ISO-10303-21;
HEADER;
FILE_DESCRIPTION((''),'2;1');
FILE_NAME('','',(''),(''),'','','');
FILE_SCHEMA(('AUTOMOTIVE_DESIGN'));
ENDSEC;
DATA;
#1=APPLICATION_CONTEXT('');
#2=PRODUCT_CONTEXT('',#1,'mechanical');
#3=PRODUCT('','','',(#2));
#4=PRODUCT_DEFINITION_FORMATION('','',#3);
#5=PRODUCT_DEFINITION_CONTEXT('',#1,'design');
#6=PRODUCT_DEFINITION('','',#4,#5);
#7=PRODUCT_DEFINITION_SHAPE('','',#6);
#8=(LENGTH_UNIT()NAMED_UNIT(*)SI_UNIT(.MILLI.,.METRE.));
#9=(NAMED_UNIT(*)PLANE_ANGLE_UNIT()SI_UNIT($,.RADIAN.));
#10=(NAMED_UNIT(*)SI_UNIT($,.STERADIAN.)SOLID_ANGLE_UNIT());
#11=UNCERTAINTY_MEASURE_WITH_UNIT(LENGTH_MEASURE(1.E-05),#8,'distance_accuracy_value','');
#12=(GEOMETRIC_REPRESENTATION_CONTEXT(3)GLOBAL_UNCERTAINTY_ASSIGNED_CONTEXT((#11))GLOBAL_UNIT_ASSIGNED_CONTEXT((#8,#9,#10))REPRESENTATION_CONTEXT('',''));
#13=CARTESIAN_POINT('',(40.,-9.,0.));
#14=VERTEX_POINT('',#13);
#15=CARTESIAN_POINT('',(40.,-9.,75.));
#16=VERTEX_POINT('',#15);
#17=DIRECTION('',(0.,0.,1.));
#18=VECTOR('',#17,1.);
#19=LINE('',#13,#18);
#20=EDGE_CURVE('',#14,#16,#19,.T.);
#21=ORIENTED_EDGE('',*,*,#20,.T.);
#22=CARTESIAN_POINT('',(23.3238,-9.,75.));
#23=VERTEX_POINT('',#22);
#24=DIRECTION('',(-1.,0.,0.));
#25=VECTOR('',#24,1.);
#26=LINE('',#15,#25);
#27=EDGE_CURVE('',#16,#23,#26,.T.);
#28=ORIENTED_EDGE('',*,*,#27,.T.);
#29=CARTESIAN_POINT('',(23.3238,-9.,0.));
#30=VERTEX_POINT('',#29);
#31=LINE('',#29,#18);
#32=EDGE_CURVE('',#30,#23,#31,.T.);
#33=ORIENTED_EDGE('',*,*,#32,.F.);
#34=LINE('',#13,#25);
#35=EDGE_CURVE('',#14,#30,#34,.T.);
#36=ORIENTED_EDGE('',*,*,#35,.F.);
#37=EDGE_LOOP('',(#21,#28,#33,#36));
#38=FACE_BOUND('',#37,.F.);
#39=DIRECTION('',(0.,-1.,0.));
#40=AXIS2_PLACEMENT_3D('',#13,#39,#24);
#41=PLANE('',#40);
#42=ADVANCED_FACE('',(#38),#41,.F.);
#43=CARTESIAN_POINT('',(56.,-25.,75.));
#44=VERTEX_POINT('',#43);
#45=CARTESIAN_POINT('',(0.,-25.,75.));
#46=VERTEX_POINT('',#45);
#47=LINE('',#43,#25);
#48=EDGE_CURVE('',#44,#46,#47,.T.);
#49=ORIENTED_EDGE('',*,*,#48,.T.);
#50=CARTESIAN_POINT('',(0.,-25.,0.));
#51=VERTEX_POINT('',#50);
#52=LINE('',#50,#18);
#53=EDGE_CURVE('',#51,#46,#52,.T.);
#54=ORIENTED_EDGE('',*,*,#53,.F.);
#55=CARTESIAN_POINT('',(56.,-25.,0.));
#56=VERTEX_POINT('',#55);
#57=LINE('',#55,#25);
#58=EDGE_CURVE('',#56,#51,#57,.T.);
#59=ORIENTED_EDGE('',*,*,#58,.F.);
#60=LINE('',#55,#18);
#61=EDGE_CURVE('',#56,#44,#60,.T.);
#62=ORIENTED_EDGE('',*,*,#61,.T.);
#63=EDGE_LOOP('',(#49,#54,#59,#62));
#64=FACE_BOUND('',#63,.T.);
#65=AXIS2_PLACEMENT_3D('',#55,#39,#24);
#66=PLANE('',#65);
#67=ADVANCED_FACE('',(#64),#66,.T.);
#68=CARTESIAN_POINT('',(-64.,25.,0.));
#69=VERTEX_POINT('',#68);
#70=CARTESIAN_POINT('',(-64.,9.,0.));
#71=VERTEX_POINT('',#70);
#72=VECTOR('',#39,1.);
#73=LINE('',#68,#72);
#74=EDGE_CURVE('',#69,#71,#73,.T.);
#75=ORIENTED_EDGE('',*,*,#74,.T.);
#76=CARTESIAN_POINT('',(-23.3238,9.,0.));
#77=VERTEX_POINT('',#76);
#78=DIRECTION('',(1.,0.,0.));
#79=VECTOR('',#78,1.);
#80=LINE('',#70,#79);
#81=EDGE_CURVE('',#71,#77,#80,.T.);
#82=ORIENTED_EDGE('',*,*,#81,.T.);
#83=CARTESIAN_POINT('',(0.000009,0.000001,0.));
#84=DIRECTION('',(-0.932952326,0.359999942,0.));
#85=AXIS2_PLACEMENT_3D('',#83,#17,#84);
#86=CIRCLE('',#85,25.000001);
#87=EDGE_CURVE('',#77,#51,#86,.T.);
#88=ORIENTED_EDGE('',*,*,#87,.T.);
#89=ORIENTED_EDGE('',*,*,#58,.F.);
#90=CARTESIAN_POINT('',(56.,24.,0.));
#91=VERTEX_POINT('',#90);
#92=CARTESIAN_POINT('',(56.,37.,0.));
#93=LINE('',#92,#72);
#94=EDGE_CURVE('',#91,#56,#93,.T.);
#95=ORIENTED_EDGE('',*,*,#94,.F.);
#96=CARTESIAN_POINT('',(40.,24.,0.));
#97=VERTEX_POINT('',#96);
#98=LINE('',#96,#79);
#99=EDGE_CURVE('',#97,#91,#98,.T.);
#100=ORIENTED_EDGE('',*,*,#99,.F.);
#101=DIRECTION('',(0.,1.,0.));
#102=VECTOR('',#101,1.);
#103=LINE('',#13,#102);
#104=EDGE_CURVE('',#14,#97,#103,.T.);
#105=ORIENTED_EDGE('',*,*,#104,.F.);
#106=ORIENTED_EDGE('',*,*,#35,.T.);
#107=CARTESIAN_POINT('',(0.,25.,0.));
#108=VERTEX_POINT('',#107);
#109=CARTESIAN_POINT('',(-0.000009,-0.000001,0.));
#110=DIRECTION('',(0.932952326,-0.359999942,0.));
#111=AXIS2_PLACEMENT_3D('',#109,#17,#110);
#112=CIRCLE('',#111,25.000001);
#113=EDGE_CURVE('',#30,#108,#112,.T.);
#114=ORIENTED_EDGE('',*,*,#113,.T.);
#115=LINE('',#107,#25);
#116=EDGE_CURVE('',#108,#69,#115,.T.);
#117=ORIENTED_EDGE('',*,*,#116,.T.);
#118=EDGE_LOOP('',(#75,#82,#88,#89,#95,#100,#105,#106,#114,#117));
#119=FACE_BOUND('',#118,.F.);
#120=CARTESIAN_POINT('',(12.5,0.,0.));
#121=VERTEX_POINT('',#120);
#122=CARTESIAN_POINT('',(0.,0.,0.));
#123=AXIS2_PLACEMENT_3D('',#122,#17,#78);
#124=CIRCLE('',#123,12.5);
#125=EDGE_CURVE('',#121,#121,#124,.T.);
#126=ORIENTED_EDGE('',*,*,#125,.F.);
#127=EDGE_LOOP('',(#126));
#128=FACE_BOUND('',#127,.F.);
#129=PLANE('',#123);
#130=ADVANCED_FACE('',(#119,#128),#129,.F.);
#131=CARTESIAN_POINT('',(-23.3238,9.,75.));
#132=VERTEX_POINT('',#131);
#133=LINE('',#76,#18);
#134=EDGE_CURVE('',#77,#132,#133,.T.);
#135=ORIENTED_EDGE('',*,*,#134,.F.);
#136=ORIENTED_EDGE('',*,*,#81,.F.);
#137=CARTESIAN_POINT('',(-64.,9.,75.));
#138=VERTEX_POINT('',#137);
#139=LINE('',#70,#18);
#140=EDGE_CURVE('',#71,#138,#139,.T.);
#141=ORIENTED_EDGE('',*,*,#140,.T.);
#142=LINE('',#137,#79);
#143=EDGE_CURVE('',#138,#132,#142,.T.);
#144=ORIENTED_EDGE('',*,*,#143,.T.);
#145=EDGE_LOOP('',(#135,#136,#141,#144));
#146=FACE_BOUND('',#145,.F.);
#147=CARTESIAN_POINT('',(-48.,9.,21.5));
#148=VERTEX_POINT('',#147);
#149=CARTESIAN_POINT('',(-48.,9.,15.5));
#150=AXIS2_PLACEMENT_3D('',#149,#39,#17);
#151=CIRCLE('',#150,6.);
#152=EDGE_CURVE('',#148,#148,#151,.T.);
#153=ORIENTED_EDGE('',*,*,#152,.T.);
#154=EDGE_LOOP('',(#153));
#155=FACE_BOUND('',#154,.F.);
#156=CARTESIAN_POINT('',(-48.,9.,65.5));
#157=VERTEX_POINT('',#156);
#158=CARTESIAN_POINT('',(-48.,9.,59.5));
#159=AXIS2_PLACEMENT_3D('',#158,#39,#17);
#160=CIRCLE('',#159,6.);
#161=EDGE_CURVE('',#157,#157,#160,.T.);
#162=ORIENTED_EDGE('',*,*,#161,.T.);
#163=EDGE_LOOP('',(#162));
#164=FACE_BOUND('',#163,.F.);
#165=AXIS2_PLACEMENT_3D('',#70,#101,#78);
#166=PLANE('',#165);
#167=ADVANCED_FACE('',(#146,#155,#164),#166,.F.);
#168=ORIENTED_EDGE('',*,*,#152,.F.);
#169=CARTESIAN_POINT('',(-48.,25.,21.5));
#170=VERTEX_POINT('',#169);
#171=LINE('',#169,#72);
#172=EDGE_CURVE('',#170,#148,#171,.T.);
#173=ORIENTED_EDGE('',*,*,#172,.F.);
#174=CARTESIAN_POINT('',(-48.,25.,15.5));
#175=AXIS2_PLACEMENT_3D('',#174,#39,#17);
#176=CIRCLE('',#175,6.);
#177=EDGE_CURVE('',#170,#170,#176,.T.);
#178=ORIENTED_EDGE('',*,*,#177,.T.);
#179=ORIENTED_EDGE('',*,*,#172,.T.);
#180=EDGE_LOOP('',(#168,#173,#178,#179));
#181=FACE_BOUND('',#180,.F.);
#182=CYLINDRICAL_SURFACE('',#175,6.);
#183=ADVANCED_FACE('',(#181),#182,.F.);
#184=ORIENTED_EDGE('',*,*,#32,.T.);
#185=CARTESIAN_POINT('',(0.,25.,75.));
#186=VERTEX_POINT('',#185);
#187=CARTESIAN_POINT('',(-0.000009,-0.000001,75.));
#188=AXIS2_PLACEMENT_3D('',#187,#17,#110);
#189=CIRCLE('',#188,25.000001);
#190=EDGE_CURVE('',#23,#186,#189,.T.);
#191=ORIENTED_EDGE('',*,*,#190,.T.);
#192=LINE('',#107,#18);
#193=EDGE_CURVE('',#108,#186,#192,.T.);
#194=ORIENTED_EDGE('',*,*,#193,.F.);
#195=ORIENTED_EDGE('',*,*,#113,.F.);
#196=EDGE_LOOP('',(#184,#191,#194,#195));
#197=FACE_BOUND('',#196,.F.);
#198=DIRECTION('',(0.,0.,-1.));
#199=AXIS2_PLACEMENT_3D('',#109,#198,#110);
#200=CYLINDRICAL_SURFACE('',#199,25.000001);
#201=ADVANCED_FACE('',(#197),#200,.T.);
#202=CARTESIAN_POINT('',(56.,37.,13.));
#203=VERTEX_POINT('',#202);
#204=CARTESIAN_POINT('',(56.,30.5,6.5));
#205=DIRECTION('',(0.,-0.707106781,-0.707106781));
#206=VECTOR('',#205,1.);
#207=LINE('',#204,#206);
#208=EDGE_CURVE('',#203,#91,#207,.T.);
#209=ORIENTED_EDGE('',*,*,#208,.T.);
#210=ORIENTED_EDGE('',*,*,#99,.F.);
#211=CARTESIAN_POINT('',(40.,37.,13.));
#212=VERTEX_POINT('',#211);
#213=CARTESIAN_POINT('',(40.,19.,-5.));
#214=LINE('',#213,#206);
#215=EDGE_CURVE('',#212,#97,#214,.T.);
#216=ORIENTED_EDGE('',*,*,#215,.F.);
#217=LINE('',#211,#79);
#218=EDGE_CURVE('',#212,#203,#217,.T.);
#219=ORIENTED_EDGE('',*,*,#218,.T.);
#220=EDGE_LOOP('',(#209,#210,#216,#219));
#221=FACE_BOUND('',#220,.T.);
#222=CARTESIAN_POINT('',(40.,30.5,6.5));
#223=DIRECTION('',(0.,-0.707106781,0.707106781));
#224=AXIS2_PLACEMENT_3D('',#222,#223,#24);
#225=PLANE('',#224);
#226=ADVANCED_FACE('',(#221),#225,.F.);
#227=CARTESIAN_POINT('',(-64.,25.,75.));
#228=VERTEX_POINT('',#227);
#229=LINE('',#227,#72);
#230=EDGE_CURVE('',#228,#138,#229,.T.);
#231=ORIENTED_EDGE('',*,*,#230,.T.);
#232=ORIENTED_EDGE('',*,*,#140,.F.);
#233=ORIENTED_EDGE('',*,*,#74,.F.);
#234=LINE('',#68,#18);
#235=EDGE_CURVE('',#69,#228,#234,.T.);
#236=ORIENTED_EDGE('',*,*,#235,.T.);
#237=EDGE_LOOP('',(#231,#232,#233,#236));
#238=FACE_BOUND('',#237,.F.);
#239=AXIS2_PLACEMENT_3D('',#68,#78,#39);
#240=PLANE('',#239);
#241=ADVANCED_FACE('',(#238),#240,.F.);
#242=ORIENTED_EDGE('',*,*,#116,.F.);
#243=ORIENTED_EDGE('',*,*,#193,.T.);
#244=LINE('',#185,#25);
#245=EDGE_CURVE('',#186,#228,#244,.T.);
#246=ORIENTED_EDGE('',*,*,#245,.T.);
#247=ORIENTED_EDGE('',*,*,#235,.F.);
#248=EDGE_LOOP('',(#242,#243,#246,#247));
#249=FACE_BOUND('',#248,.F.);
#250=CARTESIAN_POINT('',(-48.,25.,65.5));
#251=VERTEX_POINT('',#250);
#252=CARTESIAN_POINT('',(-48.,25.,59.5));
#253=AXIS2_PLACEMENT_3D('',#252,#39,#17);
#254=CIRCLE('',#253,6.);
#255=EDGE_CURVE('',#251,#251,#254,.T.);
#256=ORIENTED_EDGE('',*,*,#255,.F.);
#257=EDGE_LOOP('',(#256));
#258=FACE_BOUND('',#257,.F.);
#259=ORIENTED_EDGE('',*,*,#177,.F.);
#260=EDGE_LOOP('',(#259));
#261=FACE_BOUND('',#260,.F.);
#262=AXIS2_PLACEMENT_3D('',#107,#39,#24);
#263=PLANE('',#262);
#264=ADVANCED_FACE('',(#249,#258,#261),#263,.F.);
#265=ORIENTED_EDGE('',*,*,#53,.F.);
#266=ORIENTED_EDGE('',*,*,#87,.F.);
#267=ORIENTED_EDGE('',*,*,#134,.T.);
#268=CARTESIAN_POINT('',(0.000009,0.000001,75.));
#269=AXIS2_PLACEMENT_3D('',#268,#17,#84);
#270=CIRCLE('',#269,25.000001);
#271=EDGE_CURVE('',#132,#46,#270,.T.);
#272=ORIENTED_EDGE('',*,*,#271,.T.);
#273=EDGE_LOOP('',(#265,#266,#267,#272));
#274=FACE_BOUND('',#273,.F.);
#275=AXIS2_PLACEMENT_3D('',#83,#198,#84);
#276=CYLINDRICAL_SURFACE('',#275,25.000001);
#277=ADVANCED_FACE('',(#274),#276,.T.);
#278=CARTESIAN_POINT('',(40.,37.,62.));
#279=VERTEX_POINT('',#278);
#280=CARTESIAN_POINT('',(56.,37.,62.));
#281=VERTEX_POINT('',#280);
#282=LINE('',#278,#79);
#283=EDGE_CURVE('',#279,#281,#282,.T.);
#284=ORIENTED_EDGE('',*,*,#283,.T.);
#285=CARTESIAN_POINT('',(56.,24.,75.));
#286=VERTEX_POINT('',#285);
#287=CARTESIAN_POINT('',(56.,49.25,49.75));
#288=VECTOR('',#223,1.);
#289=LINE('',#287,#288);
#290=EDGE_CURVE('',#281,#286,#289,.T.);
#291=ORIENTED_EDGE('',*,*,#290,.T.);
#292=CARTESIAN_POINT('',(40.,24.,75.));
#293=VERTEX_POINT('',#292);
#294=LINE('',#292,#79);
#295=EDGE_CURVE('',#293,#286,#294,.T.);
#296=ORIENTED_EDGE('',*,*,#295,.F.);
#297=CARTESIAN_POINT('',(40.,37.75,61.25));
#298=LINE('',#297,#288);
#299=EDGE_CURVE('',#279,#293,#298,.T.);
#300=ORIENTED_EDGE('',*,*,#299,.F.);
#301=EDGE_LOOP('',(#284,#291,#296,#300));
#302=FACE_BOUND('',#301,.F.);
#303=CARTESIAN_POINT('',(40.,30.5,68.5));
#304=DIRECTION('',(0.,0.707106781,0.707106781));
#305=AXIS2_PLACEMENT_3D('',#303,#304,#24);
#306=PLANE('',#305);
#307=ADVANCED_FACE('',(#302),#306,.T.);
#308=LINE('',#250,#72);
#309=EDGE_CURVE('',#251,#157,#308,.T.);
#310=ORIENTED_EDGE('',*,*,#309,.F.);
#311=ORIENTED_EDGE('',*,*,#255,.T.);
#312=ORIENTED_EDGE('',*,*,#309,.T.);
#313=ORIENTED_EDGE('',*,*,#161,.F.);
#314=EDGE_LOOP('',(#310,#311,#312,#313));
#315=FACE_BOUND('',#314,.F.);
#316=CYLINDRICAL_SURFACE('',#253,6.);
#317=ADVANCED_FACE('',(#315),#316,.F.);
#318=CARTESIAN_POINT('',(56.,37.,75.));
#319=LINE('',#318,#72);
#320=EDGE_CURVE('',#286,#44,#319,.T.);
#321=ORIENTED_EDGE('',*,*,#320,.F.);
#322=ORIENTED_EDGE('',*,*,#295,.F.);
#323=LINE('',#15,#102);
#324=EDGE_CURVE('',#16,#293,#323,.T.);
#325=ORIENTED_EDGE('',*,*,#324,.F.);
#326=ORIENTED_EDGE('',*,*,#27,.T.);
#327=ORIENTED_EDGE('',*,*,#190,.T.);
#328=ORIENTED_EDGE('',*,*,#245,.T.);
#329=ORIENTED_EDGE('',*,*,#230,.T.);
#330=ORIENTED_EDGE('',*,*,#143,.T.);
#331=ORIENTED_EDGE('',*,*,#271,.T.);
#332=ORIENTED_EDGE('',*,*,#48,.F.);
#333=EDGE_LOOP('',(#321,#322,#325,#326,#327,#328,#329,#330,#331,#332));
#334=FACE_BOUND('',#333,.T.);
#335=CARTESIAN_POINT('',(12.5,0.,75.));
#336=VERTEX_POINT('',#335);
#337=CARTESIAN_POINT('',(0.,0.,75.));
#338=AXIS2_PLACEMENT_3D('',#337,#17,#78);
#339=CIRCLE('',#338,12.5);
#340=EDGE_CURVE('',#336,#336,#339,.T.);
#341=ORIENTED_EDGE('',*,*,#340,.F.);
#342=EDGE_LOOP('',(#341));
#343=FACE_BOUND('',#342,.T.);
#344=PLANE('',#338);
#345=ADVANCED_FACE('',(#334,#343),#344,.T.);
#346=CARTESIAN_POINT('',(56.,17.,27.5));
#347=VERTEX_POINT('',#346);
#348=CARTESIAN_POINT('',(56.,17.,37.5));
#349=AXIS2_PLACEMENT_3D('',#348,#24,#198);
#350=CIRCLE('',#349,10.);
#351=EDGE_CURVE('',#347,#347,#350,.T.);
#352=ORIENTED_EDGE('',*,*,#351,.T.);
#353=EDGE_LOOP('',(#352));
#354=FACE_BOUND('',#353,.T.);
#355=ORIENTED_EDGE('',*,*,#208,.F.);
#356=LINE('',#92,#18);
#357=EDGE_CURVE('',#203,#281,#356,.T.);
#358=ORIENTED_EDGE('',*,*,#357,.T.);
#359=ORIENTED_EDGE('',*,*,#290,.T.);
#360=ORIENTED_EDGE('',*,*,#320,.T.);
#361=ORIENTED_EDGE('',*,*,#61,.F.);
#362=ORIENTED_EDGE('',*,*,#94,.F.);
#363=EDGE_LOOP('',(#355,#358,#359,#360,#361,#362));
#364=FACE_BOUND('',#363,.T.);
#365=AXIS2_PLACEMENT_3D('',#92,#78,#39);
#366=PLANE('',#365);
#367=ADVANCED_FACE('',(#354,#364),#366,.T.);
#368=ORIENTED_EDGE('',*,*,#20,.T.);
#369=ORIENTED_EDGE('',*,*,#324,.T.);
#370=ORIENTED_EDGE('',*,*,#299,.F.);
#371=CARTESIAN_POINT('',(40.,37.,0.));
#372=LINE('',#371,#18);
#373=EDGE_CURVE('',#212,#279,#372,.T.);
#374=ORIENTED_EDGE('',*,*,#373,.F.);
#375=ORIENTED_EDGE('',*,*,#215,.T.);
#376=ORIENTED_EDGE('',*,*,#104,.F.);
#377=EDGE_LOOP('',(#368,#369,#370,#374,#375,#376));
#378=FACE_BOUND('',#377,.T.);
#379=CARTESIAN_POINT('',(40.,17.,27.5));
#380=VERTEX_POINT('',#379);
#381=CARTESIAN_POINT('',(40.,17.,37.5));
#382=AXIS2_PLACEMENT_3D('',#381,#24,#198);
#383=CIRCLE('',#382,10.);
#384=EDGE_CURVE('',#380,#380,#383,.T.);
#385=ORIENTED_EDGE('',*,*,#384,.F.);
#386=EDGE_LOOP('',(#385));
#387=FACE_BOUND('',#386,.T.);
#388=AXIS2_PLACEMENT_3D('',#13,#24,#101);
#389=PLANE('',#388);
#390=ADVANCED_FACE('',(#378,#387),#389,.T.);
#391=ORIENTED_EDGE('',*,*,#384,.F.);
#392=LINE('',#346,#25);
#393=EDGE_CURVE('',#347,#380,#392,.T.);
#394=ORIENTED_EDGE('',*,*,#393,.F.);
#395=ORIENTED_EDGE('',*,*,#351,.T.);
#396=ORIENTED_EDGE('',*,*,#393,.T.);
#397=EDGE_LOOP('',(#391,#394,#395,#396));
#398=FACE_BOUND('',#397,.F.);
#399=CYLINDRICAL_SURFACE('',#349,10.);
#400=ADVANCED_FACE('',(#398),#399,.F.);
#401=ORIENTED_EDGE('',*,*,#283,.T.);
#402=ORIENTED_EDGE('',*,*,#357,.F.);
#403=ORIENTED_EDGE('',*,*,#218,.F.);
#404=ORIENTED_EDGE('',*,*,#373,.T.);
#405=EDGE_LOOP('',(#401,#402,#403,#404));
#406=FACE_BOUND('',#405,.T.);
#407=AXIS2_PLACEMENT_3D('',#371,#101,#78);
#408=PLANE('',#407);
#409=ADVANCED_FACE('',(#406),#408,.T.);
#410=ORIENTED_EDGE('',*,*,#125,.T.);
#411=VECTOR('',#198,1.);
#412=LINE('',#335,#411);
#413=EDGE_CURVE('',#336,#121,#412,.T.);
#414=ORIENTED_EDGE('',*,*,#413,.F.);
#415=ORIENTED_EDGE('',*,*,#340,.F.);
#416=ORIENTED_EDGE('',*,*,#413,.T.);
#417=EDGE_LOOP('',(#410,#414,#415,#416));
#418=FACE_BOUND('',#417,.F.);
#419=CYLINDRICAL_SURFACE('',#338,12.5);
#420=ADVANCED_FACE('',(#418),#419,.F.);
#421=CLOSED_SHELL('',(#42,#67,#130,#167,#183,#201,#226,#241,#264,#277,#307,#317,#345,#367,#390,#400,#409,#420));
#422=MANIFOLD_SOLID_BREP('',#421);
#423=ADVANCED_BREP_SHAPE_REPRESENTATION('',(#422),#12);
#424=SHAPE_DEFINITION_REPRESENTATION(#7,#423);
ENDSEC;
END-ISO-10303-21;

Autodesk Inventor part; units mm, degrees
ref_plane "YZ Plane" through (0, 0, 0) normal (1, 0, 0) x (0, 1, 0)
ref_plane "XZ Plane" through (0, 0, 0) normal (0, 1, 0) x (-1, 0, 0)
ref_plane "XY Plane" through (0, 0, 0) normal (0, 0, 1) x (1, 0, 0)
sketch "Skizze1" plane through (0, 0, 0) normal (0, 0, 1) x (1, 0, 0)
  line L0 (40, 37) -> (56, 37)
  line L1 (56, 37) -> (56, -25)
  line L2 (40, -9) -> (40, 37)
  line L3 (56, -25) -> (0, -25)
  line L4 (40, -9) -> (23.3238, -9)
  line L5 (0, 25) -> (-64, 25)
  line L6 (-64, 25) -> (-64, 9)
  line L7 (-64, 9) -> (-23.3238, 9)
  arc A0 (23.3238, -9) -> (0, 25) centre (0, 0) ccw
  arc A1 (-23.3238, 9) -> (0, -25) centre (0, 0) ccw
  dimension "d0" = 16
  dimension "d1" = 25
  dimension "d2" = 62
  dimension "d3" = 56
  dimension "d4" = 16
  dimension "d5" = 120
  dimension "d6" = 16
  dimension "d7" = 25
extrude "Extrusion1" add sketch "Skizze1" along normal blind 75
sketch "Skizze2" plane through (0, 0, 75) normal (0, 0, 1) x (1, 0, 0)
  circle A0 centre (0, 0) radius 12.5
  dimension "d10" = 25
extrude "Extrusion2" cut sketch "Skizze2" against normal up to surface (75 mm away)
chamfer "Fasen1" distance 13 angle 45 2 edges at (48, 37, 75) (48, 37, 0)
sketch "Skizze3" plane through (56, -25, 75) normal (1, 0, 0) x (0, 0, -1)
  line L0 (62, 62) -> (13, 62) projected
  point P0 (75, 25)
  point P1 (37.5, 42)
  point P2 (37.5, 62)
  dimension "d23" = 20
hole "Bohrung1" at (56, 17, 37.5) direction (-1, 0, 0) diameter 20 depth 16
sketch "Skizze4" plane through (-64, 25, 0) normal (0, 1, 0) x (1, 0, 0)
  line L0 (0, 0) -> (0, -75) projected
  line L1 (0, -37.5) -> (64, -37.5) construction
  line L2 (64, 0) -> (64, -75) projected
  point P0 (16, -59.5)
  point P1 (16, -15.5)
  dimension "d31" = 44
  dimension "d32" = 16
hole "Bohrung2" at (-48, 25, 59.5) at (-48, 25, 15.5) direction (0, -1, 0) diameter 12 end through all
equation "\"d0\" = d4"
equation "\"d6\" = d0"
properties part number "practice4" material "Stahl, galvanisiert"
